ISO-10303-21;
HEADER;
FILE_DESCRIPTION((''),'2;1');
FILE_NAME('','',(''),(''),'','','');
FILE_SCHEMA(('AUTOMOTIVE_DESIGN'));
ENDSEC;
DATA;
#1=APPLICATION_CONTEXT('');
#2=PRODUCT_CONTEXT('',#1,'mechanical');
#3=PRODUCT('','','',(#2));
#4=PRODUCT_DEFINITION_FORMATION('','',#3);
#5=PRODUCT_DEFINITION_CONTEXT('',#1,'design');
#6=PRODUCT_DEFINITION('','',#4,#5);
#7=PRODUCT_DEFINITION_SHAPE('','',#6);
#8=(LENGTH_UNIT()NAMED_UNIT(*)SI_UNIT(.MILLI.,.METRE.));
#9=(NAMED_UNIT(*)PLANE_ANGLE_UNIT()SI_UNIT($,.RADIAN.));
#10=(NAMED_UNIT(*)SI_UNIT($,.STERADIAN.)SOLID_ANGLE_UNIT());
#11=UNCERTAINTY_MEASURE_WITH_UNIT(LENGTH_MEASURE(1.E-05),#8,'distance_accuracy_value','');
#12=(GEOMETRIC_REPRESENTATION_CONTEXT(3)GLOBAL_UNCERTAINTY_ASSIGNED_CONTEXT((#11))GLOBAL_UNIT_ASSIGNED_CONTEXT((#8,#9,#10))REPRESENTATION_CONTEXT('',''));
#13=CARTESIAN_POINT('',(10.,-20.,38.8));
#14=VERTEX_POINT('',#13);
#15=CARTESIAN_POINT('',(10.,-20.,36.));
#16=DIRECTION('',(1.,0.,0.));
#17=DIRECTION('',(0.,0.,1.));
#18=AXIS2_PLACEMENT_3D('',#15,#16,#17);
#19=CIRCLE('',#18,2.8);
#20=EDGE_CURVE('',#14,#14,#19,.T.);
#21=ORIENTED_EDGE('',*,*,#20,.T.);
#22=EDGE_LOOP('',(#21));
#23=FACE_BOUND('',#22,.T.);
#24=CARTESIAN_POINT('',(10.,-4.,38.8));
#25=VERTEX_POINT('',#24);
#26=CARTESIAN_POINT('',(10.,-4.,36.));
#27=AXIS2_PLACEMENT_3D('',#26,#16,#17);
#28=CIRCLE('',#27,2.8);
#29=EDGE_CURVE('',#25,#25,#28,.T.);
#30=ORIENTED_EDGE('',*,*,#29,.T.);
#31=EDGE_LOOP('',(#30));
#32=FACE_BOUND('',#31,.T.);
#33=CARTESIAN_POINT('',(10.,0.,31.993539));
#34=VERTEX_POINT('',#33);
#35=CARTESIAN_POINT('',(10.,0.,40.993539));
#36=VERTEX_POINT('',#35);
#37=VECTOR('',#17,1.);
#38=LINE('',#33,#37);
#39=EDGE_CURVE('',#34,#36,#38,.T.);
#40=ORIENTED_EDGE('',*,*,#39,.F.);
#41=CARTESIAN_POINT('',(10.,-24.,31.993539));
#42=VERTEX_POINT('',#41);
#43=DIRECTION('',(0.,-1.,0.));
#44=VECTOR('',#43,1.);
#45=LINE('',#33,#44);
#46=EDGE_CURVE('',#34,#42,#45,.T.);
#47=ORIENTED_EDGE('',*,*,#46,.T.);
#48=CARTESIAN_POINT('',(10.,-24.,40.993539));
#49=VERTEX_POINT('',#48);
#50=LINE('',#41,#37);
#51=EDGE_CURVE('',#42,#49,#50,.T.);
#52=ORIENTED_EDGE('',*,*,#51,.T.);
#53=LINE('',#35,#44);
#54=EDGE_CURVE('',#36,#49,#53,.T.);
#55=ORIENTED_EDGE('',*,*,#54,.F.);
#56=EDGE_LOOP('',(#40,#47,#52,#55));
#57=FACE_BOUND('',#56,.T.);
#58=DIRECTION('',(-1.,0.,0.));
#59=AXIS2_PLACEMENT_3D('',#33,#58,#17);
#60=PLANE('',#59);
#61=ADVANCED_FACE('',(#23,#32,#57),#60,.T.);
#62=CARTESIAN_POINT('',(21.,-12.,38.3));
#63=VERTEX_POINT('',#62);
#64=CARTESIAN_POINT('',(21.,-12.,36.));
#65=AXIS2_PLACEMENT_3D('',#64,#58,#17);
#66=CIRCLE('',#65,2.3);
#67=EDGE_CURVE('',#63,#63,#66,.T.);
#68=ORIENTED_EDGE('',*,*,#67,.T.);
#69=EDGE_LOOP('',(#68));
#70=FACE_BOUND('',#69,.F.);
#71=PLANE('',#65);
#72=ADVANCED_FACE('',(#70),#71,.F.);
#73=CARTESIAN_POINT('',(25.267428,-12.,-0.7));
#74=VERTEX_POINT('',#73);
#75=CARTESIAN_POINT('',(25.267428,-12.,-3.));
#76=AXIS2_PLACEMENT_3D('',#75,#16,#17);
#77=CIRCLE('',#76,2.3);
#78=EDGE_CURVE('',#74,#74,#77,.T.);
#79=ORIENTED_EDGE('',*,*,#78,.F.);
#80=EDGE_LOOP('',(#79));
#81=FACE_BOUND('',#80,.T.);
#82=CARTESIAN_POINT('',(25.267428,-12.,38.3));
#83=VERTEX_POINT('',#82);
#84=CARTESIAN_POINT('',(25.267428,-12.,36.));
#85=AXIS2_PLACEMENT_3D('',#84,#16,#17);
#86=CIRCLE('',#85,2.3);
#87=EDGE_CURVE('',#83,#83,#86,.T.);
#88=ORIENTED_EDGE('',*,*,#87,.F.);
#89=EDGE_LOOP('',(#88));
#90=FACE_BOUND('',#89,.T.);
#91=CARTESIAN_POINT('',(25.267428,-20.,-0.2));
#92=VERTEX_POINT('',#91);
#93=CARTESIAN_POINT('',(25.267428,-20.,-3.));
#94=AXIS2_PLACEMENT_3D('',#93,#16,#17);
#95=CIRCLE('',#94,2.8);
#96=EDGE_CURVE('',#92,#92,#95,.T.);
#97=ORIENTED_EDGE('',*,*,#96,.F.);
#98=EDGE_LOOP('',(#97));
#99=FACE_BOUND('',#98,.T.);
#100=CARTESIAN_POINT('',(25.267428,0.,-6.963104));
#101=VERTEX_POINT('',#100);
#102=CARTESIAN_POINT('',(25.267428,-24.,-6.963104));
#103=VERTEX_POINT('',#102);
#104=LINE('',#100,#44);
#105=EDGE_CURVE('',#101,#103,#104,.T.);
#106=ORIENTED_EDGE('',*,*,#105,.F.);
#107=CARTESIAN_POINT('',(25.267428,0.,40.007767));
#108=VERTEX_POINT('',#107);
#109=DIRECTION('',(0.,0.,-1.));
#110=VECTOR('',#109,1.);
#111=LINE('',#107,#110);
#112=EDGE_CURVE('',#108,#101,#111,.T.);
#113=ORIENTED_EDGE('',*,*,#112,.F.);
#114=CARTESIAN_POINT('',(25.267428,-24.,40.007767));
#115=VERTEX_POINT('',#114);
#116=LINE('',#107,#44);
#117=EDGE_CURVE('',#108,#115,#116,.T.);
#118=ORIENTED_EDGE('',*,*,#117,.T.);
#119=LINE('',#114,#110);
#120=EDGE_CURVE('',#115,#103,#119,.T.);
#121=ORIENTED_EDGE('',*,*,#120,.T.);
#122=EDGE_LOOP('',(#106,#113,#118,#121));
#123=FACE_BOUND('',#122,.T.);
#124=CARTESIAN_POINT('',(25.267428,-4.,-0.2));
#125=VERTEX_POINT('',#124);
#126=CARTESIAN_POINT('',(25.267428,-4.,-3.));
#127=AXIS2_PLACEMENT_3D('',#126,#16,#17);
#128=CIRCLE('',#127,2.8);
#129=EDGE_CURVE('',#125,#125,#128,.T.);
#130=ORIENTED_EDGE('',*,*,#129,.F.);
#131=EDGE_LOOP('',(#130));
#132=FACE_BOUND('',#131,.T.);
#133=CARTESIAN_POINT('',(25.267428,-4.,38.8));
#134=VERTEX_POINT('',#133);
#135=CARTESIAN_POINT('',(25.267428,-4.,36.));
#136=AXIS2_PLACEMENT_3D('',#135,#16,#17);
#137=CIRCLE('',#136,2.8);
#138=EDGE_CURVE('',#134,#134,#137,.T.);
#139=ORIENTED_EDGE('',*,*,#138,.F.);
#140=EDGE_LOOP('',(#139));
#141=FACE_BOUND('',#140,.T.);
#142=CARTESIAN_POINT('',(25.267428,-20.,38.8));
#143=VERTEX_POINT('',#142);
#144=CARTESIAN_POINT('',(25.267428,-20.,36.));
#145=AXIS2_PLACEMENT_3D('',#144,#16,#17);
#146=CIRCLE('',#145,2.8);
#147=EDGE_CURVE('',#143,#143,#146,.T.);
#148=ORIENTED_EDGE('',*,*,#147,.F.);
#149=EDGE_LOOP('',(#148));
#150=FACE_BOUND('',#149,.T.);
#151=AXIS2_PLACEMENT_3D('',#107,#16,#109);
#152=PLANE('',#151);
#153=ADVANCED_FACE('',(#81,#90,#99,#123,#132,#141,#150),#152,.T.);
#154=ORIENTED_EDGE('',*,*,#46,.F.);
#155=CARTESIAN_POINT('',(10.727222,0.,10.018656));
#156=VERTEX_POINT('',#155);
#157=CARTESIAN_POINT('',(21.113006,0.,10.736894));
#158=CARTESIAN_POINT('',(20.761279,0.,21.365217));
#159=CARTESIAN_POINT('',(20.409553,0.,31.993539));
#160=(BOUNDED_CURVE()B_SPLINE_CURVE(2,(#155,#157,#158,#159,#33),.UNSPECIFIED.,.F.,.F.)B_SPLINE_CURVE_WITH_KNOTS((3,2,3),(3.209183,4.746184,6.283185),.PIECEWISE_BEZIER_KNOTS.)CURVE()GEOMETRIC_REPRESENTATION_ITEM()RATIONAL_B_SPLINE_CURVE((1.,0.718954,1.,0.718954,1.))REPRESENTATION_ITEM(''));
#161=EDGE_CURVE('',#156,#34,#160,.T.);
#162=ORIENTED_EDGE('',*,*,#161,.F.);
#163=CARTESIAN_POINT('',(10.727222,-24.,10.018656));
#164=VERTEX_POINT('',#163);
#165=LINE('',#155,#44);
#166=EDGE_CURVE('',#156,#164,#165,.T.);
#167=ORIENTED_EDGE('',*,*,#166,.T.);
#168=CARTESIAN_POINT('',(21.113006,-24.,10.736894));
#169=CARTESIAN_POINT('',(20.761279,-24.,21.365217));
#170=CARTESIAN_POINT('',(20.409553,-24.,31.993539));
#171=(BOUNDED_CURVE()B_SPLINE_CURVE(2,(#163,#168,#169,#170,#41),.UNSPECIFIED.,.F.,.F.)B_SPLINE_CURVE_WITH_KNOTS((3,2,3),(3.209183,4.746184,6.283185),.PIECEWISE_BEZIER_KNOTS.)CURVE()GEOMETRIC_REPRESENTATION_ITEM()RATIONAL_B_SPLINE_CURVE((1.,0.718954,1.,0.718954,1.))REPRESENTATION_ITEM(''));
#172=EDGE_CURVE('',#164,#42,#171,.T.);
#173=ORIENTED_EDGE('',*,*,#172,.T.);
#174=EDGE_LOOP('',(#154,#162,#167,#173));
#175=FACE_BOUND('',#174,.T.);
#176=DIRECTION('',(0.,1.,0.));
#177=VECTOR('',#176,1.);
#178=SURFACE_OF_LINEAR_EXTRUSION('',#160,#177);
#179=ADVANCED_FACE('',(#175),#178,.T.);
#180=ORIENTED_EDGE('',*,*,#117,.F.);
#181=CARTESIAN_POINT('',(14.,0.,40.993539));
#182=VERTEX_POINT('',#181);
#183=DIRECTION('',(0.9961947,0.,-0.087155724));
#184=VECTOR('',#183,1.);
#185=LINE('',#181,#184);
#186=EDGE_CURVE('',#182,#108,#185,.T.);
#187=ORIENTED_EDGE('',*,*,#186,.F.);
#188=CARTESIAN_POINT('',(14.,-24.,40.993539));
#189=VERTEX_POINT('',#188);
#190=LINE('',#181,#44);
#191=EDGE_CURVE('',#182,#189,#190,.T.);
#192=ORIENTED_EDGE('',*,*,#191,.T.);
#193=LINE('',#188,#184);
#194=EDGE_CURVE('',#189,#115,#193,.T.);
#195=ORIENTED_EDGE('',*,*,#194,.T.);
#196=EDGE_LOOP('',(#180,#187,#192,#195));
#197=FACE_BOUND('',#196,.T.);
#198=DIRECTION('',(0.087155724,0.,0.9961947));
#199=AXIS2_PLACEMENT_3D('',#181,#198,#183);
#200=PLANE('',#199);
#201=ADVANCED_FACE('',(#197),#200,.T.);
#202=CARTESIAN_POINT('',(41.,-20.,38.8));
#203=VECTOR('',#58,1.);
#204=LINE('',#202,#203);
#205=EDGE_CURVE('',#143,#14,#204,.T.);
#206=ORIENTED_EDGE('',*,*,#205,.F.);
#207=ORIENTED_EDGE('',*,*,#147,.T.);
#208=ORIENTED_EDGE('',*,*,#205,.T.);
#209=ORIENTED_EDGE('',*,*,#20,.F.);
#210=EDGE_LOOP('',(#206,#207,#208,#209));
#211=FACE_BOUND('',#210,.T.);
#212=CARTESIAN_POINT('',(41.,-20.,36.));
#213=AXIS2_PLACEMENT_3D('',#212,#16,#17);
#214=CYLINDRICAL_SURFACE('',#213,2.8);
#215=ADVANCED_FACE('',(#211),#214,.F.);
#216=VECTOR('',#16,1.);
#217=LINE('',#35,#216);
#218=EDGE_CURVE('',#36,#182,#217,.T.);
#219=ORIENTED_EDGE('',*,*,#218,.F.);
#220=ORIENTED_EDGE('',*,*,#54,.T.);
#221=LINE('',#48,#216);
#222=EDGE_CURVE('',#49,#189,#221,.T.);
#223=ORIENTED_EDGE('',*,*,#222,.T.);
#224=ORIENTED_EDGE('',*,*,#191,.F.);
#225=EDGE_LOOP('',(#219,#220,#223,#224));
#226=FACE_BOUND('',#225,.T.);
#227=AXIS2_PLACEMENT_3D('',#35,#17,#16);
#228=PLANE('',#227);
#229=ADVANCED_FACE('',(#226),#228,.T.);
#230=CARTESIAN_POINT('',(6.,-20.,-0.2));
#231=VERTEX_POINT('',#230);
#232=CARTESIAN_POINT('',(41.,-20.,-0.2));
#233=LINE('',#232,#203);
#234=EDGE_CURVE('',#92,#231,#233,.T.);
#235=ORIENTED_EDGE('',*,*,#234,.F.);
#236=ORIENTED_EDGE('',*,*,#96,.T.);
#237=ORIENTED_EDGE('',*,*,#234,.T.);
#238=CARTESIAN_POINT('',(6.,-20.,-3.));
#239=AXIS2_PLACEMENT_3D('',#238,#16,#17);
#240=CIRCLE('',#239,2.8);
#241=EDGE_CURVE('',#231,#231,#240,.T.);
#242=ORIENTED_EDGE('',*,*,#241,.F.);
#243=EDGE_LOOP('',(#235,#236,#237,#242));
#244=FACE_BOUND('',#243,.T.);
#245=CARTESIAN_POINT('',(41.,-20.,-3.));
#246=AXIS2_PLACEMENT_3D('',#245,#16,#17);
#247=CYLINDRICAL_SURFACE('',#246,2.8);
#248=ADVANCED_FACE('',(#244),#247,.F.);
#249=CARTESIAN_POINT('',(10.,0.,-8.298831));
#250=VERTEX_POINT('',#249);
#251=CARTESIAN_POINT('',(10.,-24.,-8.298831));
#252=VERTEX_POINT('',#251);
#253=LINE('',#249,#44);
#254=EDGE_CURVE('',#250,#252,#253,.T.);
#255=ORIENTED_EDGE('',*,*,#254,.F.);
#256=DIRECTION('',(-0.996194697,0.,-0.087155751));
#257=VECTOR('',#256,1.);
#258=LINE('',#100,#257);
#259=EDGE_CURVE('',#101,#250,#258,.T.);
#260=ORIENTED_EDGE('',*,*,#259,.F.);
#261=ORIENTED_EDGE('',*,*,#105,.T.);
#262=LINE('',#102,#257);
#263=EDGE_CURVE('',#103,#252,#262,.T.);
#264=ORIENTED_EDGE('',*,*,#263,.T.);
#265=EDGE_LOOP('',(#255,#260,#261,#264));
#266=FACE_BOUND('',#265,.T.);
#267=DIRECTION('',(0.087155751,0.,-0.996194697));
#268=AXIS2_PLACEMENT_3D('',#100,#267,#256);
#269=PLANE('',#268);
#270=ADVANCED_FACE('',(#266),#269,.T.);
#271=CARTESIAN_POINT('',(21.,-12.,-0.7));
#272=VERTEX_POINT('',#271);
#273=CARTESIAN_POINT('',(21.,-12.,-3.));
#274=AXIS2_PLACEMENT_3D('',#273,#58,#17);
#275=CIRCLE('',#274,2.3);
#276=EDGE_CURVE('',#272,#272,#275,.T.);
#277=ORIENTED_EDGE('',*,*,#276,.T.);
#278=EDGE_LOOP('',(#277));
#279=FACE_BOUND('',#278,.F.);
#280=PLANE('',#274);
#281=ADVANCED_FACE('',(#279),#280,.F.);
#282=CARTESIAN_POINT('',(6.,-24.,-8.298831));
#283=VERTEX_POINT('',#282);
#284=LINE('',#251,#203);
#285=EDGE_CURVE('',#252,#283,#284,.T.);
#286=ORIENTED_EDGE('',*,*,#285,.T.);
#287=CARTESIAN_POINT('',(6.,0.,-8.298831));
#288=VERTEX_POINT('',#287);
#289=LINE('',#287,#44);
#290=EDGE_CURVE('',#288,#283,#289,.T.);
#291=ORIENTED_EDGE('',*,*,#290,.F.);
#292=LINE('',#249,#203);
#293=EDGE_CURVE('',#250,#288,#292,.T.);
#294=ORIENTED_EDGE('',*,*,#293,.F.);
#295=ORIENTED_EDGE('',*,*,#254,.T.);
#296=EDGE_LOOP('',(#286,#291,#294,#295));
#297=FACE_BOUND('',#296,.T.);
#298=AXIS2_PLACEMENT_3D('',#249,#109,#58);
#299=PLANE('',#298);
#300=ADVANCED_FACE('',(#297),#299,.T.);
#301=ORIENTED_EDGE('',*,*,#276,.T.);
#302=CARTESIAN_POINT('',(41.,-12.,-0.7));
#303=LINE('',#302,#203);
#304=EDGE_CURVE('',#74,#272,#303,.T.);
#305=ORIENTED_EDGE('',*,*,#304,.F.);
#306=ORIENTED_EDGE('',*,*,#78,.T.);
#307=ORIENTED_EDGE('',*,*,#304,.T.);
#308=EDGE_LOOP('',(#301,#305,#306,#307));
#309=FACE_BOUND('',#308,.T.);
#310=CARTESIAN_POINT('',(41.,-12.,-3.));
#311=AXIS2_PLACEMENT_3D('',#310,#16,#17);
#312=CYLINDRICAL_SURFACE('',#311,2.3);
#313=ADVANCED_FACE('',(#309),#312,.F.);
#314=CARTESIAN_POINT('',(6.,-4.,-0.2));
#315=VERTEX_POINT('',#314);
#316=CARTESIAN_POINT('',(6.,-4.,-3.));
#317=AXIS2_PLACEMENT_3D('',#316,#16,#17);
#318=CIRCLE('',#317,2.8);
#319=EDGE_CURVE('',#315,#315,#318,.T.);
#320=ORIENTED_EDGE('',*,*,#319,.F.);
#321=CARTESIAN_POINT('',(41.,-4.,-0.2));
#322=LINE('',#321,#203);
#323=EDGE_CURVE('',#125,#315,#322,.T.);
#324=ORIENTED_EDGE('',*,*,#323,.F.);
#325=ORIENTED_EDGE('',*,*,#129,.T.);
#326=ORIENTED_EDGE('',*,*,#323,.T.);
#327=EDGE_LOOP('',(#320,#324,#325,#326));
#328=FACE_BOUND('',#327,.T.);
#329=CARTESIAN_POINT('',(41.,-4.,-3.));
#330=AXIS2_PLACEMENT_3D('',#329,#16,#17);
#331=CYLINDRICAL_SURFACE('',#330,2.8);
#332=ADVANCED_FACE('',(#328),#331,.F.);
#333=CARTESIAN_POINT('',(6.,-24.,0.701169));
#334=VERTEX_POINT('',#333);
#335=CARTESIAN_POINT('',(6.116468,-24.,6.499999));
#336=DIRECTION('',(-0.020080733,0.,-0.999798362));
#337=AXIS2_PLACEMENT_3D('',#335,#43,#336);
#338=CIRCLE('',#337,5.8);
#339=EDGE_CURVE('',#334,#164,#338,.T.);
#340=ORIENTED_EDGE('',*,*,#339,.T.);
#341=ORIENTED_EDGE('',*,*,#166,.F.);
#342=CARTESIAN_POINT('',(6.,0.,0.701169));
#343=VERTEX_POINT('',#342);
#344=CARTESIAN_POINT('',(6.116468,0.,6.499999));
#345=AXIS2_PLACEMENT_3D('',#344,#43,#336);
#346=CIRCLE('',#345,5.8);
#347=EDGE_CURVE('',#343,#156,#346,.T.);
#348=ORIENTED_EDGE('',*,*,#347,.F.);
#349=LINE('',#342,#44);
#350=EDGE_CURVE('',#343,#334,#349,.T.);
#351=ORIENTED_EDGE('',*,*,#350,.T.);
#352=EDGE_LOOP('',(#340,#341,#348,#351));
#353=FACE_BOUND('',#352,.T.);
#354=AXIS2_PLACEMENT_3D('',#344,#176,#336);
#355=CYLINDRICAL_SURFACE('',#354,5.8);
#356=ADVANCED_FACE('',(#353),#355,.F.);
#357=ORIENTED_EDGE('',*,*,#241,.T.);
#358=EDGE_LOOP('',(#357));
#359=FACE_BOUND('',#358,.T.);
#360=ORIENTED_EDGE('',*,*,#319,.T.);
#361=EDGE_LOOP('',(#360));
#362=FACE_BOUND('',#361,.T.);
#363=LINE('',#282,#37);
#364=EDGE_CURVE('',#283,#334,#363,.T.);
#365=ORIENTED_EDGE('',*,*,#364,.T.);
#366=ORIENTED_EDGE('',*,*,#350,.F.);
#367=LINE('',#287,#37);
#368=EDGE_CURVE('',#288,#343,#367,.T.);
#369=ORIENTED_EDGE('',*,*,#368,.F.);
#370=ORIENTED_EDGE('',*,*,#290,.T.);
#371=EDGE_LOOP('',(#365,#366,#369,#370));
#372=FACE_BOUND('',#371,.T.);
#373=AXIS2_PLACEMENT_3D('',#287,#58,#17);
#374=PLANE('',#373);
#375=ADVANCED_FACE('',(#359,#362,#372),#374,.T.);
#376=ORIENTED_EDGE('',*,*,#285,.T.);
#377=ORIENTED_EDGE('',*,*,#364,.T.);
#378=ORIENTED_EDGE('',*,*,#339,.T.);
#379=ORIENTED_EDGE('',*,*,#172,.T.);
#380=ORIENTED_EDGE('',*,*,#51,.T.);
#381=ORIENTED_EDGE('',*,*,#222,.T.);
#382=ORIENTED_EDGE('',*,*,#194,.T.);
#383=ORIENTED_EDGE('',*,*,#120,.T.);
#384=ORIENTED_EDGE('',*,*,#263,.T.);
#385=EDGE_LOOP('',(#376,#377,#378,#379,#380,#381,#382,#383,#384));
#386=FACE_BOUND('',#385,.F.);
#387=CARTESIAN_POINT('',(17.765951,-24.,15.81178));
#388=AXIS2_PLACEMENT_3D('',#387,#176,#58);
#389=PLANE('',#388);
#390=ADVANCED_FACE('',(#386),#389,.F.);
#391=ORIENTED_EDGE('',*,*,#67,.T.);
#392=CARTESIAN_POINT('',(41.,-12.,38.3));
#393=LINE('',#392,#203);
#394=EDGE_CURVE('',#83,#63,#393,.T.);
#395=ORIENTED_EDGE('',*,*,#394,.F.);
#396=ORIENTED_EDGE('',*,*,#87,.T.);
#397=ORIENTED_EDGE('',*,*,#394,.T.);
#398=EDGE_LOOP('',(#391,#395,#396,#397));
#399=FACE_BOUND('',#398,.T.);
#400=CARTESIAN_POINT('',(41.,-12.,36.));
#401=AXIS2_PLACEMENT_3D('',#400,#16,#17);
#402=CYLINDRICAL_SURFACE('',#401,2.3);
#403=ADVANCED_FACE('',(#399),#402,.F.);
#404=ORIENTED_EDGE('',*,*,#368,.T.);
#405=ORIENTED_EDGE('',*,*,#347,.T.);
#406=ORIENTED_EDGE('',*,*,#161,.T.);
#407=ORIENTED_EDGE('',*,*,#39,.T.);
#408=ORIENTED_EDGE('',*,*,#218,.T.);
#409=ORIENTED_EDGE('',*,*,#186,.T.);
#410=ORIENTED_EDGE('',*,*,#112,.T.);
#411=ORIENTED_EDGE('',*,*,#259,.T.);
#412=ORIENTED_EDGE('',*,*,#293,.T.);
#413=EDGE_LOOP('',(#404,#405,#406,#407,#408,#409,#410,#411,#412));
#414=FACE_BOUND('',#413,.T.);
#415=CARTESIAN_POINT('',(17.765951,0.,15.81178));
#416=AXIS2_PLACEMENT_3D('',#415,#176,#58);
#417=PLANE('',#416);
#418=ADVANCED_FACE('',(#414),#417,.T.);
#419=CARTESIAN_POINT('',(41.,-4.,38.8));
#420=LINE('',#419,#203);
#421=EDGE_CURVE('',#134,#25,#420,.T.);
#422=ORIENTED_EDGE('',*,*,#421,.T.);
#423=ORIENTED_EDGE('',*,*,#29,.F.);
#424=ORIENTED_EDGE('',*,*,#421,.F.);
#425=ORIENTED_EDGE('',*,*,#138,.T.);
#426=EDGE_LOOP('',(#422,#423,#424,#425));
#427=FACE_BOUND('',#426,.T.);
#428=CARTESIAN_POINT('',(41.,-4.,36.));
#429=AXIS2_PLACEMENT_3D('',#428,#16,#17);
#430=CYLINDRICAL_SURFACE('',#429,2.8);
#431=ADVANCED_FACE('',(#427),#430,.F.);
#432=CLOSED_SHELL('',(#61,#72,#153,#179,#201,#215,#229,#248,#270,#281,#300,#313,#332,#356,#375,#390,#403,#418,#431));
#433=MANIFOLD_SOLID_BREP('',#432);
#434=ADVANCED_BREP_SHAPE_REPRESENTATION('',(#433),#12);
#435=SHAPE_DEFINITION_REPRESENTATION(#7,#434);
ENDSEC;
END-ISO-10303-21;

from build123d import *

# Parameters (mm, degrees)
CYLINDER014_R     = 2.3
CYLINDER014_DEPTH = 20
CYLINDER015_R     = 2.3
CYLINDER015_DEPTH = 20
CYLINDER004_R     = 2.8
CYLINDER004_DEPTH = 60
CYLINDER005_R     = 2.8
CYLINDER005_DEPTH = 60
CYLINDER006_R     = 2.8
CYLINDER006_DEPTH = 60
CYLINDER007_R     = 2.8
CYLINDER007_DEPTH = 60
PAD003_DEPTH      = 24


with BuildPart() as passi_kl_wi0:
    # Cylinder014 → Cylinder014 (new body)
    with BuildSketch(Plane(origin=(41, -12, -3), x_dir=(0, 0, 1), z_dir=(-1, 0, 0))):
        Circle(CYLINDER014_R)
    extrude(amount=CYLINDER014_DEPTH)


with BuildPart() as passi_kl_wi1:
    # Cylinder015 → Cylinder015 (new body)
    with BuildSketch(Plane(origin=(41, -12, 36), x_dir=(0, 0, 1), z_dir=(-1, 0, 0))):
        Circle(CYLINDER015_R)
    extrude(amount=CYLINDER015_DEPTH)


with BuildPart() as o003:
    # Cylinder004 → Cylinder004 (new body)
    with BuildSketch(Plane(origin=(41, -4, 36), x_dir=(0, 0, 1), z_dir=(-1, 0, 0))):
        Circle(CYLINDER004_R)
    extrude(amount=CYLINDER004_DEPTH)


with BuildPart() as u003:
    # Cylinder005 → Cylinder005 (new body)
    with BuildSketch(Plane(origin=(41, -20, -3), x_dir=(0, 0, 1), z_dir=(-1, 0, 0))):
        Circle(CYLINDER005_R)
    extrude(amount=CYLINDER005_DEPTH)


with BuildPart() as u004:
    # Cylinder006 → Cylinder006 (new body)
    with BuildSketch(Plane(origin=(41, -4, -3), x_dir=(0, 0, 1), z_dir=(-1, 0, 0))):
        Circle(CYLINDER006_R)
    extrude(amount=CYLINDER006_DEPTH)


with BuildPart() as o004:
    # Cylinder007 → Cylinder007 (new body)
    with BuildSketch(Plane(origin=(41, -20, 36), x_dir=(0, 0, 1), z_dir=(-1, 0, 0))):
        Circle(CYLINDER007_R)
    extrude(amount=CYLINDER007_DEPTH)


with BuildPart() as cut020:
    # Sketch003 → Pad003 (new body)
    with BuildSketch(Plane.XZ):
        with BuildLine():
            ThreePointArc((6, 0.701169), (11.288851, 3.875794), (10.727222, 10.018656))
            add(Edge.make_bspline(
                [(10.727222, 10.018656), (21.113006, 10.736894), (20.761279, 21.365217), (20.409553, 31.993539), (10, 31.993539)],
                knots=[3.209183, 3.209183, 3.209183, 4.746184, 4.746184, 6.283185, 6.283185, 6.283185], degree=2, weights=[1, 0.718954, 1, 0.718954, 1]))
            Line((10, 31.993539), (10, 40.993539))
            Line((10, 40.993539), (14, 40.993539))
            Line((14, 40.993539), (25.267428, 40.007767))
            Line((25.267428, 40.007767), (25.267428, -6.963104))
            Line((25.267428, -6.963104), (10, -8.298831))
            Line((10, -8.298831), (6, -8.298831))
            Line((6, -8.298831), (6, 0.701169))
        make_face()
    extrude(amount=PAD003_DEPTH)

    # Cut015: cut O004
    add(o004.part, mode=Mode.SUBTRACT)

    # Cut016: cut U004
    add(u004.part, mode=Mode.SUBTRACT)

    # Cut017: cut U003
    add(u003.part, mode=Mode.SUBTRACT)

    # Cut018: cut O003
    add(o003.part, mode=Mode.SUBTRACT)

    # Cut019: cut PassI_Kl-Wi1
    add(passi_kl_wi1.part, mode=Mode.SUBTRACT)

    # Cut020: cut PassI_Kl-Wi0
    add(passi_kl_wi0.part, mode=Mode.SUBTRACT)


solid = cut020.part
